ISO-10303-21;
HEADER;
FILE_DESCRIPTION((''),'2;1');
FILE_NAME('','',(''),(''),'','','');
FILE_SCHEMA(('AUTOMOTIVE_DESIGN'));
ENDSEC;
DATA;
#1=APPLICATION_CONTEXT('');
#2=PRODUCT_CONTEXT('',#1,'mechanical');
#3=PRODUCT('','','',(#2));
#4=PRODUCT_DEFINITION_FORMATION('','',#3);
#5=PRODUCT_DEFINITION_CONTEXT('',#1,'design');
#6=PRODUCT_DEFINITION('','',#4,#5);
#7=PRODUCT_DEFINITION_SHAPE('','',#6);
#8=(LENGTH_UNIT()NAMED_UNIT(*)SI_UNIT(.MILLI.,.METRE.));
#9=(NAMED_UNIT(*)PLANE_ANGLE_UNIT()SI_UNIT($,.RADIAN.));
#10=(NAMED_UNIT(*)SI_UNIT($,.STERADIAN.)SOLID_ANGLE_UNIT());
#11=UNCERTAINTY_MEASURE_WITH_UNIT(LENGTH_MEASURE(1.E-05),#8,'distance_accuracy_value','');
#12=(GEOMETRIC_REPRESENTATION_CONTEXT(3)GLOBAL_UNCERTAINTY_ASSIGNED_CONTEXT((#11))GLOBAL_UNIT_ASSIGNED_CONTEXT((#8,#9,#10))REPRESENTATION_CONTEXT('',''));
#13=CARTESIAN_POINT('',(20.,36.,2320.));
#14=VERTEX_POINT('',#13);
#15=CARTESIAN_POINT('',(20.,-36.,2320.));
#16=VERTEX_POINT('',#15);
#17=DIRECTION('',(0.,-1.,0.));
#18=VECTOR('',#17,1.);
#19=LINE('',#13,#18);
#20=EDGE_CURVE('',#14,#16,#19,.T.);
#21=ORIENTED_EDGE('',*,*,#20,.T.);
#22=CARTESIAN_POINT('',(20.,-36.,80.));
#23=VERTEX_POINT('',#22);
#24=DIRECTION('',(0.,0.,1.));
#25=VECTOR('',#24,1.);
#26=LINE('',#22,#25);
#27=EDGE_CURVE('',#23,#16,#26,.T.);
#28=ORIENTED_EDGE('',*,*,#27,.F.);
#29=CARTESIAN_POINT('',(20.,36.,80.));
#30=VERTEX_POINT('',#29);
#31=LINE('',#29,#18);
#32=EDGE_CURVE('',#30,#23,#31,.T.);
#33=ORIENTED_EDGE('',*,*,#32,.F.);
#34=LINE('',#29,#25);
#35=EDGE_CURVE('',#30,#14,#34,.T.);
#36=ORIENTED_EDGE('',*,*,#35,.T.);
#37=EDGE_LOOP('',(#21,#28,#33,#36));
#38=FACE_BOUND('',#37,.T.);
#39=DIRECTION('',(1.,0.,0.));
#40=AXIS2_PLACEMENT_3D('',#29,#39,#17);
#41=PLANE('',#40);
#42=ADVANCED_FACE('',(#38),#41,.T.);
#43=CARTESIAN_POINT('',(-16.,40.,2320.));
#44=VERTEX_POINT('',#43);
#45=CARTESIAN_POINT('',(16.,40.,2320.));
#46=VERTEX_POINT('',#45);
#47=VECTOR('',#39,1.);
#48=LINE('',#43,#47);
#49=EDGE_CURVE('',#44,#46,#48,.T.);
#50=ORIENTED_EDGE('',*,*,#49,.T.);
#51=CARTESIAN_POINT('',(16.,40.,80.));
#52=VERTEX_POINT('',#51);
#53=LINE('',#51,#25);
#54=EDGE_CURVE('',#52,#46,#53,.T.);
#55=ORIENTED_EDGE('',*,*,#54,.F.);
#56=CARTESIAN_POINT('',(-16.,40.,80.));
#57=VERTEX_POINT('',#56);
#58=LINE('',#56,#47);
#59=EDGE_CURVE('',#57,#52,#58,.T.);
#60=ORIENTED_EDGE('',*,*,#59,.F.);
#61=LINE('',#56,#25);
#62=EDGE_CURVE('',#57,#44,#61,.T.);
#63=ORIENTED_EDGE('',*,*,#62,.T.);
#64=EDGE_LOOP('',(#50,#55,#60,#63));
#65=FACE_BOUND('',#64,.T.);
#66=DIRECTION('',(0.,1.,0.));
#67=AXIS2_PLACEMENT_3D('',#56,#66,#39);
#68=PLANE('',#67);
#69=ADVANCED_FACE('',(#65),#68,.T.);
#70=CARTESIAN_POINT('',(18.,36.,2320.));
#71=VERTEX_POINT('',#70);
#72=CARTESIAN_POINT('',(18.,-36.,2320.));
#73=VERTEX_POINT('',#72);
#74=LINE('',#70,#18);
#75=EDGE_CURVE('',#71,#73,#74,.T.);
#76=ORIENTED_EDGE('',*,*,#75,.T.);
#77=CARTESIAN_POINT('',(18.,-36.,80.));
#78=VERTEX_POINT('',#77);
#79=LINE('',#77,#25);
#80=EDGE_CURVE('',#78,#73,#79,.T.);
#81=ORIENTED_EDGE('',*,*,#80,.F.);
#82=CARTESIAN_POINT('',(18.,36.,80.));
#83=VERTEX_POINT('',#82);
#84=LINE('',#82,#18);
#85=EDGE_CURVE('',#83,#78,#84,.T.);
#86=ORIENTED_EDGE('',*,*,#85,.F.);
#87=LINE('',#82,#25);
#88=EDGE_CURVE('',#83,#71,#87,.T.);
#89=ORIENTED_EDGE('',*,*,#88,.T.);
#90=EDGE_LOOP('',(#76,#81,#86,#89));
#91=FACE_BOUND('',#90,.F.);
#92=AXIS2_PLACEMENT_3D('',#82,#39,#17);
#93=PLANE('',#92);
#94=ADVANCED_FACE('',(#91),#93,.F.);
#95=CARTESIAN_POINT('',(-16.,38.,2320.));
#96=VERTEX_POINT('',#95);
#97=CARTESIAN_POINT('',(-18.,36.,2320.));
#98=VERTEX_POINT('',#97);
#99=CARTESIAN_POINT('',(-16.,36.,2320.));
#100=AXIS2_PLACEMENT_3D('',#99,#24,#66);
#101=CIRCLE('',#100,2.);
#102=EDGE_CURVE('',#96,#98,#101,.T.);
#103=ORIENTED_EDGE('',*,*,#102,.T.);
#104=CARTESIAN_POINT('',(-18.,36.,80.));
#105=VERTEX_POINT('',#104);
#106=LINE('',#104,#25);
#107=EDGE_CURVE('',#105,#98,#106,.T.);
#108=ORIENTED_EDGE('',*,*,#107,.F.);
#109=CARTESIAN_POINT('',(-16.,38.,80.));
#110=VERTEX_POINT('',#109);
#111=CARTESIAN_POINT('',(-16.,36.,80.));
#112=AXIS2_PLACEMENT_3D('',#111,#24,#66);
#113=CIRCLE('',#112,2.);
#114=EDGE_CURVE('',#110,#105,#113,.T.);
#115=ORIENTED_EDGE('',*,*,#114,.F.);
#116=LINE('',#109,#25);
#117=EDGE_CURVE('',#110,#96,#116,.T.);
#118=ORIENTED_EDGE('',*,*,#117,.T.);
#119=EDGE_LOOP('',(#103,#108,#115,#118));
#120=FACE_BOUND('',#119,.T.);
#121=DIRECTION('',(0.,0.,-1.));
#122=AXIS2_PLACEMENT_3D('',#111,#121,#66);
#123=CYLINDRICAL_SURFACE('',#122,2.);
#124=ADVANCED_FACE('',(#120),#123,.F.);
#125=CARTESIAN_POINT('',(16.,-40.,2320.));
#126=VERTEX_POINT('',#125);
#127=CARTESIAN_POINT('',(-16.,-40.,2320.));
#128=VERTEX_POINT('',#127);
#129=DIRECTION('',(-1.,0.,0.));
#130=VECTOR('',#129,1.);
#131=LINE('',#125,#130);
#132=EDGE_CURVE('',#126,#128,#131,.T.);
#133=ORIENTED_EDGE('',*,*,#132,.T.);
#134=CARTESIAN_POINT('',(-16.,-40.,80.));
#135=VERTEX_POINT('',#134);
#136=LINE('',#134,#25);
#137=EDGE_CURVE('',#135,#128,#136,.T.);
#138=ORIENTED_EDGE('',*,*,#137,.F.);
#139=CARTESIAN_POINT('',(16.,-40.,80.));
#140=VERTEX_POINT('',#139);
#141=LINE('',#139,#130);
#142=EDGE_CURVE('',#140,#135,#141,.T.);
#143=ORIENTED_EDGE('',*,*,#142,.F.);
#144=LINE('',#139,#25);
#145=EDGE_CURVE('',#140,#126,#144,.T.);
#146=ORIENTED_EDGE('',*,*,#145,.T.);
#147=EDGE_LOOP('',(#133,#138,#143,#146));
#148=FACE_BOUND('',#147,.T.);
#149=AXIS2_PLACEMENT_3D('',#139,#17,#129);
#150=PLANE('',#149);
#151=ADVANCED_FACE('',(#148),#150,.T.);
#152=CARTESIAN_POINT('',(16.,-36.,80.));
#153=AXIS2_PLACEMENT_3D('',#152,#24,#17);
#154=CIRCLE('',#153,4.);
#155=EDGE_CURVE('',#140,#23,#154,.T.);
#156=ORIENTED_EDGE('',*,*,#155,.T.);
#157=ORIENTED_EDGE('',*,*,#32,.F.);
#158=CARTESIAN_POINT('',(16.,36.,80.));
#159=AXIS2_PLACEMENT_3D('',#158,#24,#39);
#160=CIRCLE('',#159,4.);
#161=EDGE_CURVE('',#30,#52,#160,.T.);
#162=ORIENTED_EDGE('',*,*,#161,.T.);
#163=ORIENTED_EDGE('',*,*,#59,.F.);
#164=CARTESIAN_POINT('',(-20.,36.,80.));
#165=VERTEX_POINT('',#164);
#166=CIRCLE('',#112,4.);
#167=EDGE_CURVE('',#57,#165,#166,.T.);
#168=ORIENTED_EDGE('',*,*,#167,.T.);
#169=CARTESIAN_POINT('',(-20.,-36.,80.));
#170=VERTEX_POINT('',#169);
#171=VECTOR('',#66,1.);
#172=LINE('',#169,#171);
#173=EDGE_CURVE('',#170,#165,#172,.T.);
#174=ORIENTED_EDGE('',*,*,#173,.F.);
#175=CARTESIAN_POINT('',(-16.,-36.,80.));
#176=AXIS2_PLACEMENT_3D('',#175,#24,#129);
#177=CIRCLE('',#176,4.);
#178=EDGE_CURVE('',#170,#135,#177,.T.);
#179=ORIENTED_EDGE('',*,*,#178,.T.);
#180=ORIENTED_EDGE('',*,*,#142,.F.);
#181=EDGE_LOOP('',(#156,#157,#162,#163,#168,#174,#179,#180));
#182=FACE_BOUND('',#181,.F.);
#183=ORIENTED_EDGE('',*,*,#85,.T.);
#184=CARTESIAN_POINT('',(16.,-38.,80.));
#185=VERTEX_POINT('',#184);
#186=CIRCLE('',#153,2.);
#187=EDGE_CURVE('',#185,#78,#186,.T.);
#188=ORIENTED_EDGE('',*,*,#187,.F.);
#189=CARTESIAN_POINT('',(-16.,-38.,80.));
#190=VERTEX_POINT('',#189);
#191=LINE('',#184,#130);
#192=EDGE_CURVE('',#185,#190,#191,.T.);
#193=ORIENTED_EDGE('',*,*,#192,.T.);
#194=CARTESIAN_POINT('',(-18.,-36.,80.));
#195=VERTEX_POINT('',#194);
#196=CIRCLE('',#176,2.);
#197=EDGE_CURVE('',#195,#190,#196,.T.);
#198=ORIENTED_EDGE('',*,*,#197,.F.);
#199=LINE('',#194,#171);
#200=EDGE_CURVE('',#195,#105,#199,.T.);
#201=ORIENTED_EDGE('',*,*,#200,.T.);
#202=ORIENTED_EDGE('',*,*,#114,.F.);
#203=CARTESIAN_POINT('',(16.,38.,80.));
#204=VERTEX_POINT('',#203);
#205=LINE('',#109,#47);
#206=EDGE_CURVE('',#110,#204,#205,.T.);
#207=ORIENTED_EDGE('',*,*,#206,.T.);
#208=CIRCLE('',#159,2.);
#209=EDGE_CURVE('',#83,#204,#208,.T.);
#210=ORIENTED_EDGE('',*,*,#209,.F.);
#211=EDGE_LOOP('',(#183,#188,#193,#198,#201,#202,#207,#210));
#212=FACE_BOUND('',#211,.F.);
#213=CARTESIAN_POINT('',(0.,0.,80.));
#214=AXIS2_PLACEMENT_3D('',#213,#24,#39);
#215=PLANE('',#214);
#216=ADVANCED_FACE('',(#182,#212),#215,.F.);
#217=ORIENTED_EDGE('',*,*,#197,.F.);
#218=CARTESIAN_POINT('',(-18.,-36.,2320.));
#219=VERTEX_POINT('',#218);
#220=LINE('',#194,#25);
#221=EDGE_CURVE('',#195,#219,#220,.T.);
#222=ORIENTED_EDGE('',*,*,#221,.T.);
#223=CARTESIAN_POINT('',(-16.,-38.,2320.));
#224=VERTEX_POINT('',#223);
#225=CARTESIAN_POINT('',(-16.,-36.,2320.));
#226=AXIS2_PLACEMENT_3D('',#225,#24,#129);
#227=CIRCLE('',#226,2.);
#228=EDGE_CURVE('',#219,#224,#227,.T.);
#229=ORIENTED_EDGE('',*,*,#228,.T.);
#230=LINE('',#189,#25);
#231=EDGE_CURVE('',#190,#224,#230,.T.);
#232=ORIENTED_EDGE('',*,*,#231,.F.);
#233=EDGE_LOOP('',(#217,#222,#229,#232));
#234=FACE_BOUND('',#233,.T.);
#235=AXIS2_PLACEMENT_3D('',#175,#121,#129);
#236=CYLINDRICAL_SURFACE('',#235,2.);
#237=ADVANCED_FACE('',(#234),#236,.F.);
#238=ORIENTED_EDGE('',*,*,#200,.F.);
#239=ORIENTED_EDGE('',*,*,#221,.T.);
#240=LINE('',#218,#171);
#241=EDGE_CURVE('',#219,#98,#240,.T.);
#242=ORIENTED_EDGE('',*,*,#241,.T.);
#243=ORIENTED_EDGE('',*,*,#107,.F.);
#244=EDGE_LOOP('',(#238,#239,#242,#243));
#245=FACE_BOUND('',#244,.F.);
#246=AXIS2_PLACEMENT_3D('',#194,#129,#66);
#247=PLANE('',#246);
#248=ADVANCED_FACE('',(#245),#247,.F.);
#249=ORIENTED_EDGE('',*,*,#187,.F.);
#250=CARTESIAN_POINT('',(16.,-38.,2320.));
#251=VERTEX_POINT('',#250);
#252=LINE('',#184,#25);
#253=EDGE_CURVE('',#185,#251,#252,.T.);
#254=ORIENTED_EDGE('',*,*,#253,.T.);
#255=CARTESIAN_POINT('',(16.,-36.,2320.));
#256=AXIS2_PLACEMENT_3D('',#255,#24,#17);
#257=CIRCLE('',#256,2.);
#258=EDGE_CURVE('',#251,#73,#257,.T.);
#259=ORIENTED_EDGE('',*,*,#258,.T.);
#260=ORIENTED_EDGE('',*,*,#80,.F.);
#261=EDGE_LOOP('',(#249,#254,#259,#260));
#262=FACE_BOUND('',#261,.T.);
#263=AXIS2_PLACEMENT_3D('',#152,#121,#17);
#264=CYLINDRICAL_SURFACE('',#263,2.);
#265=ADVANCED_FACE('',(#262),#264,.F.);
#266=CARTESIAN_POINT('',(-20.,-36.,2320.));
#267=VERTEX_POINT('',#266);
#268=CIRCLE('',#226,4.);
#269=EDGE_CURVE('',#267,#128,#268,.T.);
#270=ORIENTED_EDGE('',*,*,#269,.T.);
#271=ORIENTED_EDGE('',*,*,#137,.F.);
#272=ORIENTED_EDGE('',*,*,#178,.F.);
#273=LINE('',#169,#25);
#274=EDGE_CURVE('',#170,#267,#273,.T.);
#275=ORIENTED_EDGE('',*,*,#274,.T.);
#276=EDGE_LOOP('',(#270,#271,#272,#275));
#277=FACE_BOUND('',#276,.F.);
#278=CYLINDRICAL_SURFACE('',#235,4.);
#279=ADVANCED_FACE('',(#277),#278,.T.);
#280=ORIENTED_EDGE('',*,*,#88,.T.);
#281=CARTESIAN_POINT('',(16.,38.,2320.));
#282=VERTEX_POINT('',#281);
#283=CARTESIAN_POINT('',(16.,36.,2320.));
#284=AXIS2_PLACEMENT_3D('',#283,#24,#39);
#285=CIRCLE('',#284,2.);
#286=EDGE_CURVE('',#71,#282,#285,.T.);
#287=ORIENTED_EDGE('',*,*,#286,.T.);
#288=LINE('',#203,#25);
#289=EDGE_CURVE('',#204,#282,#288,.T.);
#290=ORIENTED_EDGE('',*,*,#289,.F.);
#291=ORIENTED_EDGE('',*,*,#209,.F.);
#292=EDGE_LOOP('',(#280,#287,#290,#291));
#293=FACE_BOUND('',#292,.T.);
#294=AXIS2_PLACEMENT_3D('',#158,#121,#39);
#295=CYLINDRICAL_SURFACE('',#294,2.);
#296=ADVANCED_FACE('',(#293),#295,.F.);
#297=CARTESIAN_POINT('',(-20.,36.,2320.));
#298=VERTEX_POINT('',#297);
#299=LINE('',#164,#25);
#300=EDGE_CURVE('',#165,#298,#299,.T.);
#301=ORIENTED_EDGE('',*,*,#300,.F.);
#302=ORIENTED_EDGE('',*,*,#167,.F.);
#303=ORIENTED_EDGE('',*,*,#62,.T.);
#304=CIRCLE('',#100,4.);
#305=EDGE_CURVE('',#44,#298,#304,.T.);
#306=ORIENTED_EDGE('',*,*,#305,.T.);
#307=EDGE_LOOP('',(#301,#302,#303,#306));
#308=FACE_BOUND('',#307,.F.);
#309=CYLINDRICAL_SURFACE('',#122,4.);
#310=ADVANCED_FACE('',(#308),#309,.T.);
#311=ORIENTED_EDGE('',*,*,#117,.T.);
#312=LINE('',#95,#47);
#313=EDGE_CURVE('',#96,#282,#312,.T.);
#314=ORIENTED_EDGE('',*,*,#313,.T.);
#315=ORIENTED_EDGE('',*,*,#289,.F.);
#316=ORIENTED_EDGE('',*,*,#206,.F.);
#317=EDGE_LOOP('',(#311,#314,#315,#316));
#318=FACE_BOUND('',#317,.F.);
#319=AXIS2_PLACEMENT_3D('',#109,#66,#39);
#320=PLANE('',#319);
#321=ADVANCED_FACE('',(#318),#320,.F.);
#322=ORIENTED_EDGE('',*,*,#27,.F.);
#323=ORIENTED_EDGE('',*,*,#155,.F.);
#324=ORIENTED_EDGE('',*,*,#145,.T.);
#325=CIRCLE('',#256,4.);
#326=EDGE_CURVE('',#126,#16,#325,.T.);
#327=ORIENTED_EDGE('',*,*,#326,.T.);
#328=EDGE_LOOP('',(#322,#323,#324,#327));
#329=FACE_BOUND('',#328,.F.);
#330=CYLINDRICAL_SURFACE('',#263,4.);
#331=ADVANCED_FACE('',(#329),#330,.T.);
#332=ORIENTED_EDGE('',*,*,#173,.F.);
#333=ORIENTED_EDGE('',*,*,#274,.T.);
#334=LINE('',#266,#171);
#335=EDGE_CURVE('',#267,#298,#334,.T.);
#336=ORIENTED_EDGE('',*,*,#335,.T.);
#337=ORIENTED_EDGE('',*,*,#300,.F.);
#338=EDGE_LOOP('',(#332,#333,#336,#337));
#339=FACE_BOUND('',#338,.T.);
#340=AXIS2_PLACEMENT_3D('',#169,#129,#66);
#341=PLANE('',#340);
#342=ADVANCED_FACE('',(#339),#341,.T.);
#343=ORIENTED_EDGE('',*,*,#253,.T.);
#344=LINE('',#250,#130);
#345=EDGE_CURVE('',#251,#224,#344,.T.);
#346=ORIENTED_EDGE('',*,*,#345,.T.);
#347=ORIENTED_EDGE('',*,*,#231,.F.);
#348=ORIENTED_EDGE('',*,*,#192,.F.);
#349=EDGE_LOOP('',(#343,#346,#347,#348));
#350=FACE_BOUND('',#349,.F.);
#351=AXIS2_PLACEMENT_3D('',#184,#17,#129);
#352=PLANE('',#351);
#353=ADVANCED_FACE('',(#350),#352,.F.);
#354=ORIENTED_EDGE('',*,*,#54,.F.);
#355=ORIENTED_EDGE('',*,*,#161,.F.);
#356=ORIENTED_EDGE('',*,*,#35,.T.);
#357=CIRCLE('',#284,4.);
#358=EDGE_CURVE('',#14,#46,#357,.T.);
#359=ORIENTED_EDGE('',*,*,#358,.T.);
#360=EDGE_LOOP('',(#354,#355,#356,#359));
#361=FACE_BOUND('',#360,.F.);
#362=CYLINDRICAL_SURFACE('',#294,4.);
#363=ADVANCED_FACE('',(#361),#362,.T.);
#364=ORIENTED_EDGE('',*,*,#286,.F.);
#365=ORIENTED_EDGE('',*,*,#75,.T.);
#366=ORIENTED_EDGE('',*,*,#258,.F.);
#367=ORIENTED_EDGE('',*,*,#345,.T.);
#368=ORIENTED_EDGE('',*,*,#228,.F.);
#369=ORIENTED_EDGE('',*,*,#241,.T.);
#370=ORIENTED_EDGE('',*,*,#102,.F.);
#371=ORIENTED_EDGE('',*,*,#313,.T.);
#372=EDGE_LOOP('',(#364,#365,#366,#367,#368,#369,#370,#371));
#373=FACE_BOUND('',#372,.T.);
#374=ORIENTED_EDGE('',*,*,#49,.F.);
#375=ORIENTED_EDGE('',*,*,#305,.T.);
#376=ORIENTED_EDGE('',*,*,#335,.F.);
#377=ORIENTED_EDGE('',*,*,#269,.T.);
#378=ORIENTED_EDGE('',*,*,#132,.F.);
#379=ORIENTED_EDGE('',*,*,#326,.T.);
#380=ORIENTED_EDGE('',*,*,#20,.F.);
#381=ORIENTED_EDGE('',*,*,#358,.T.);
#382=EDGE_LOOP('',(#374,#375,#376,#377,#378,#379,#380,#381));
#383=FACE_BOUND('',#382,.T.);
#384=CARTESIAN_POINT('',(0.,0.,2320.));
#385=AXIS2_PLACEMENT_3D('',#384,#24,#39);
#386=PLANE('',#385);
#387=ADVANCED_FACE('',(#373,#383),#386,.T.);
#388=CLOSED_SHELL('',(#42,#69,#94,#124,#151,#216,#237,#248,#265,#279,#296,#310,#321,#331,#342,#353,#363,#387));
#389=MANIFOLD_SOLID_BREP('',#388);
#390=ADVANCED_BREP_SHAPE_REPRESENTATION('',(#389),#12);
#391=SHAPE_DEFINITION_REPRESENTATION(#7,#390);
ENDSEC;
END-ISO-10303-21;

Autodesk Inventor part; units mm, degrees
ref_plane "YZ Plane" through (0, 0, 0) normal (1, 0, 0) x (0, 1, 0)
ref_plane "Start Plane" through (0, 0, 80) normal (0, 0, 1) x (1, 0, 0)
ref_plane "End Plane" through (0, 0, 2320) normal (0, 0, 1) x (1, 0, 0)
sketch "Sketch" plane through (0, 0, 0) normal (0, 0, 1) x (1, 0, 0)
  line L0 (-20, -36) -> (-20, 36)
  line L1 (-16, 40) -> (16, 40)
  line L2 (20, 36) -> (20, -36)
  line L3 (16, -40) -> (-16, -40)
  arc A0 (-20, -36) -> (-16, -40) centre (-16, -36) ccw
  arc A1 (20, 36) -> (16, 40) centre (16, 36) ccw
  arc A2 (-16, 40) -> (-20, 36) centre (-16, 36) ccw
  arc A3 (16, -40) -> (20, -36) centre (16, -36) ccw
  arc A4 (-16, 38) -> (-18, 36) centre (-16, 36) ccw
  line L4 (-16, 38) -> (16, 38)
  arc A5 (18, 36) -> (16, 38) centre (16, 36) ccw
  line L5 (18, 36) -> (18, -36)
  arc A6 (16, -38) -> (18, -36) centre (16, -36) ccw
  line L6 (16, -38) -> (-16, -38)
  arc A7 (-18, -36) -> (-16, -38) centre (-16, -36) ccw
  line L7 (-18, -36) -> (-18, 36)
  line L8 (0, 57.1598) -> (0, -57.1598) construction
  line L9 (-29.1598, 0) -> (29.1598, 0) construction
  dimension "d7" = 4
  dimension "d9" = 40
  dimension "d11" = 80
  dimension "d12" = 2
  dimension "d15" = 20
  dimension "d16" = 40
extrude "Body" add sketch "Sketch" along normal up to surface (2240 mm away) from surface at 80
sketch "Sketch3" plane through (0, 0, 0) normal (0, 0, 1) x (1, 0, 0)
  line L0 (0, 0) -> (10, 0)
ref_plane "Work Plane3" through (0, 0, 0) normal (0, -1, 0) x (1, 0, 0)
sketch "Sketch4" plane through (0, 0, 0) normal (0, -1, 0) x (1, 0, 0)
  line L0 (-2, 80) -> (12, 80) projected
  line L1 (-2, 2320) -> (12, 2320) projected
  dimension "d18" = 2240
equation "\"d7\" = G_IR"
equation "\"d9\" = G_W"
equation "\"d11\" = G_H"
equation "\"d12\" = G_T"
equation "\"d15\" = 0.5 * d9"
equation "\"d16\" = 0.5 * d11"
equation "\"d3\" = G_L"
equation "\"G_W\" = 40"
equation "\"G_H\" = 80"
equation "\"G_T\" = 2"
equation "\"G_IR\" = 4"
equation "\"G_L\" = d18"
properties part number "ISO 4019 - 80x40x2 - 2240" material "Steel, Mild"
